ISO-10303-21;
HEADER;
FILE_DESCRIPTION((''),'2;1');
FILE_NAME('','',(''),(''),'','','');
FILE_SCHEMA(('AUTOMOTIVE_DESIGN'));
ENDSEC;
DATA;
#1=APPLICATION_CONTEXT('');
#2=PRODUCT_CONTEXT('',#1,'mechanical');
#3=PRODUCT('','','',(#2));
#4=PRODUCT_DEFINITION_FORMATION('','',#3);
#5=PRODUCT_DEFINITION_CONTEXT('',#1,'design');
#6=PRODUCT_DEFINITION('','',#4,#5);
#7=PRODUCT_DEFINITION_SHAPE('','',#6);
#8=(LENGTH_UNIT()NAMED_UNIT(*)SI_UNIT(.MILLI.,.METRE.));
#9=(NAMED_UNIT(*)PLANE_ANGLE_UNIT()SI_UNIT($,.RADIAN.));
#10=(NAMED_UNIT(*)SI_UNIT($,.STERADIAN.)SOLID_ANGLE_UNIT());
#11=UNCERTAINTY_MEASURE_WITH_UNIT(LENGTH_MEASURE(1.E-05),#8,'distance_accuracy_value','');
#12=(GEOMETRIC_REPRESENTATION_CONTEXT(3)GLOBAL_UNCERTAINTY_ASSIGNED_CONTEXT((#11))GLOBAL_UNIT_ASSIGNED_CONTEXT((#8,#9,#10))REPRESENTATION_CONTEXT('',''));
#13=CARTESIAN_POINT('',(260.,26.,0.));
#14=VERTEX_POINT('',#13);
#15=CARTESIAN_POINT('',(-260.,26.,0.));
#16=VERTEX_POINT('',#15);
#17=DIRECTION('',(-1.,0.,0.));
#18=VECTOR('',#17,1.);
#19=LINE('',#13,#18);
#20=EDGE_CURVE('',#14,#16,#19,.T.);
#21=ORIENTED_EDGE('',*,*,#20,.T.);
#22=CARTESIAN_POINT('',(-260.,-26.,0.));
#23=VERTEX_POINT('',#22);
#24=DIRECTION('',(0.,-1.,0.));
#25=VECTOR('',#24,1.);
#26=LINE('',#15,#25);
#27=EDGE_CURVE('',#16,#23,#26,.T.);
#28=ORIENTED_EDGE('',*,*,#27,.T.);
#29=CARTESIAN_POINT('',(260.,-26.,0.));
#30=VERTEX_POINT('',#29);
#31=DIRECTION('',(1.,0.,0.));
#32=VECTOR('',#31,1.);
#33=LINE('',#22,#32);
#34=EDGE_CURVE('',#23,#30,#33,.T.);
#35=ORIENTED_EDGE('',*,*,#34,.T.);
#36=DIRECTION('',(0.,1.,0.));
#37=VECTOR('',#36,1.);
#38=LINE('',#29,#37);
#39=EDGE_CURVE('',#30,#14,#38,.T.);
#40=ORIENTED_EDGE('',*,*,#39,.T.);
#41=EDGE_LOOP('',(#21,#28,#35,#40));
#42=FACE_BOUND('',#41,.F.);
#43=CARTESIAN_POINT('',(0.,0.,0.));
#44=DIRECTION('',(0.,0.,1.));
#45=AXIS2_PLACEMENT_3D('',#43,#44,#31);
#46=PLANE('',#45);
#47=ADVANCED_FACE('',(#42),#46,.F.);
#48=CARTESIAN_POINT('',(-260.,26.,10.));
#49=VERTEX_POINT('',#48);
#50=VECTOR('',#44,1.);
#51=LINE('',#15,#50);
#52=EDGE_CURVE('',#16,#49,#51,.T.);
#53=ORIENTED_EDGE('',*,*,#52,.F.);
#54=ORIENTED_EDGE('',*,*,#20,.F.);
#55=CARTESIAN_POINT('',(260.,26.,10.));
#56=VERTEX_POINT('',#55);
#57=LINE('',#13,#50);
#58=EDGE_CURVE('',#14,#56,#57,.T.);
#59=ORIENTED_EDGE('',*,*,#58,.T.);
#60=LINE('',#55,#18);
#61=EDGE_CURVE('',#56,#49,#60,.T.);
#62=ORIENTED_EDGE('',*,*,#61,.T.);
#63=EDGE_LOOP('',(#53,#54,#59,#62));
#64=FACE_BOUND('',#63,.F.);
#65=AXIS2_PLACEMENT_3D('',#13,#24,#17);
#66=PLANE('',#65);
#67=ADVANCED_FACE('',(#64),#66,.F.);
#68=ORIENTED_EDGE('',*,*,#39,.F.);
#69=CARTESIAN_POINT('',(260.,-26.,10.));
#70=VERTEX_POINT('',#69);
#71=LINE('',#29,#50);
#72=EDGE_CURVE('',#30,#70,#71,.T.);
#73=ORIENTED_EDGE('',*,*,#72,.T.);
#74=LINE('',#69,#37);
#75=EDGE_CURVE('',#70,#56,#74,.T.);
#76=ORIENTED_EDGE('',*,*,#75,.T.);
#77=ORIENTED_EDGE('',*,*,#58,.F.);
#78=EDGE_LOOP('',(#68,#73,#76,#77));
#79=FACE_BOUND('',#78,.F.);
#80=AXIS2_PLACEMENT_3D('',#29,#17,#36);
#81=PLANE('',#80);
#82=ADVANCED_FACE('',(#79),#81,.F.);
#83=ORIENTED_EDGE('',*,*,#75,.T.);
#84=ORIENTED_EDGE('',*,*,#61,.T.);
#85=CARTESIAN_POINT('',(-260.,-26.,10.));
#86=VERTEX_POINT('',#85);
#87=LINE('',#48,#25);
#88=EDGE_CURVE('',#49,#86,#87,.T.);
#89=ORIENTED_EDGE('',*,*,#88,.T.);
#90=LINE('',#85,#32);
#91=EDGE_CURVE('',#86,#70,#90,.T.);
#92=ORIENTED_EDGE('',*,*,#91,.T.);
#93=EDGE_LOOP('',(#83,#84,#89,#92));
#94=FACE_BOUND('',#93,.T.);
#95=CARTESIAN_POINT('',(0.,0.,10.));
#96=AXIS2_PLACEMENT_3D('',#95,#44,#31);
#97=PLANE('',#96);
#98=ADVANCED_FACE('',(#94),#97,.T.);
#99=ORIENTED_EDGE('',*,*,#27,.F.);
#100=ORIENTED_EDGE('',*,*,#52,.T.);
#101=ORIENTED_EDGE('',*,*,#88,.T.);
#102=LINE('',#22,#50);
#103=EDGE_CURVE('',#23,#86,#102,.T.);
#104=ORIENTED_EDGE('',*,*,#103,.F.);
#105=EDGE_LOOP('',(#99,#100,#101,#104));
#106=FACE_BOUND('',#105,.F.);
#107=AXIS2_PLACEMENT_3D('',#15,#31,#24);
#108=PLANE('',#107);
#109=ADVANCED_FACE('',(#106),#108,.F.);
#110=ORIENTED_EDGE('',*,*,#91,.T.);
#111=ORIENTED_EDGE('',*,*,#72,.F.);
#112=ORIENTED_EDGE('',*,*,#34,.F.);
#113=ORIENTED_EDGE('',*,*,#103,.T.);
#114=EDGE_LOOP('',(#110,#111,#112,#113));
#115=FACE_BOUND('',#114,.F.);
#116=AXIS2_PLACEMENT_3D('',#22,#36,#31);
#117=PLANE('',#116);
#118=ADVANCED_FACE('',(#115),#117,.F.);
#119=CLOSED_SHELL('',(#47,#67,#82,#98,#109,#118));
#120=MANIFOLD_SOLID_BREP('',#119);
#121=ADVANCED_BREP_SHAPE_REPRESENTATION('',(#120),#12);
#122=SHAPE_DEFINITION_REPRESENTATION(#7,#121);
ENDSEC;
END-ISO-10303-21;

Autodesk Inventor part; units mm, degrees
ref_plane "YZ Plane" through (0, 0, 0) normal (1, 0, 0) x (0, 1, 0)
ref_plane "XZ Plane" through (0, 0, 0) normal (0, 1, 0) x (-1, 0, 0)
ref_plane "XY Plane" through (0, 0, 0) normal (0, 0, 1) x (1, 0, 0)
sketch "Sketch1" plane through (0, 0, 0) normal (0, 0, 1) x (1, 0, 0)
  line L0 (260, 26) -> (-260, 26)
  line L1 (-260, 26) -> (-260, -26)
  line L2 (-260, -26) -> (260, -26)
  line L3 (260, -26) -> (260, 26)
  line L4 (260, 26) -> (-260, -26) construction
  line L5 (-260, 26) -> (260, -26) construction
  point P0 (0, 0)
  dimension "d0" = 520
  dimension "d1" = 52
extrude "Extrusion1" add sketch "Sketch1" along normal blind 10
properties part number "backplate"
